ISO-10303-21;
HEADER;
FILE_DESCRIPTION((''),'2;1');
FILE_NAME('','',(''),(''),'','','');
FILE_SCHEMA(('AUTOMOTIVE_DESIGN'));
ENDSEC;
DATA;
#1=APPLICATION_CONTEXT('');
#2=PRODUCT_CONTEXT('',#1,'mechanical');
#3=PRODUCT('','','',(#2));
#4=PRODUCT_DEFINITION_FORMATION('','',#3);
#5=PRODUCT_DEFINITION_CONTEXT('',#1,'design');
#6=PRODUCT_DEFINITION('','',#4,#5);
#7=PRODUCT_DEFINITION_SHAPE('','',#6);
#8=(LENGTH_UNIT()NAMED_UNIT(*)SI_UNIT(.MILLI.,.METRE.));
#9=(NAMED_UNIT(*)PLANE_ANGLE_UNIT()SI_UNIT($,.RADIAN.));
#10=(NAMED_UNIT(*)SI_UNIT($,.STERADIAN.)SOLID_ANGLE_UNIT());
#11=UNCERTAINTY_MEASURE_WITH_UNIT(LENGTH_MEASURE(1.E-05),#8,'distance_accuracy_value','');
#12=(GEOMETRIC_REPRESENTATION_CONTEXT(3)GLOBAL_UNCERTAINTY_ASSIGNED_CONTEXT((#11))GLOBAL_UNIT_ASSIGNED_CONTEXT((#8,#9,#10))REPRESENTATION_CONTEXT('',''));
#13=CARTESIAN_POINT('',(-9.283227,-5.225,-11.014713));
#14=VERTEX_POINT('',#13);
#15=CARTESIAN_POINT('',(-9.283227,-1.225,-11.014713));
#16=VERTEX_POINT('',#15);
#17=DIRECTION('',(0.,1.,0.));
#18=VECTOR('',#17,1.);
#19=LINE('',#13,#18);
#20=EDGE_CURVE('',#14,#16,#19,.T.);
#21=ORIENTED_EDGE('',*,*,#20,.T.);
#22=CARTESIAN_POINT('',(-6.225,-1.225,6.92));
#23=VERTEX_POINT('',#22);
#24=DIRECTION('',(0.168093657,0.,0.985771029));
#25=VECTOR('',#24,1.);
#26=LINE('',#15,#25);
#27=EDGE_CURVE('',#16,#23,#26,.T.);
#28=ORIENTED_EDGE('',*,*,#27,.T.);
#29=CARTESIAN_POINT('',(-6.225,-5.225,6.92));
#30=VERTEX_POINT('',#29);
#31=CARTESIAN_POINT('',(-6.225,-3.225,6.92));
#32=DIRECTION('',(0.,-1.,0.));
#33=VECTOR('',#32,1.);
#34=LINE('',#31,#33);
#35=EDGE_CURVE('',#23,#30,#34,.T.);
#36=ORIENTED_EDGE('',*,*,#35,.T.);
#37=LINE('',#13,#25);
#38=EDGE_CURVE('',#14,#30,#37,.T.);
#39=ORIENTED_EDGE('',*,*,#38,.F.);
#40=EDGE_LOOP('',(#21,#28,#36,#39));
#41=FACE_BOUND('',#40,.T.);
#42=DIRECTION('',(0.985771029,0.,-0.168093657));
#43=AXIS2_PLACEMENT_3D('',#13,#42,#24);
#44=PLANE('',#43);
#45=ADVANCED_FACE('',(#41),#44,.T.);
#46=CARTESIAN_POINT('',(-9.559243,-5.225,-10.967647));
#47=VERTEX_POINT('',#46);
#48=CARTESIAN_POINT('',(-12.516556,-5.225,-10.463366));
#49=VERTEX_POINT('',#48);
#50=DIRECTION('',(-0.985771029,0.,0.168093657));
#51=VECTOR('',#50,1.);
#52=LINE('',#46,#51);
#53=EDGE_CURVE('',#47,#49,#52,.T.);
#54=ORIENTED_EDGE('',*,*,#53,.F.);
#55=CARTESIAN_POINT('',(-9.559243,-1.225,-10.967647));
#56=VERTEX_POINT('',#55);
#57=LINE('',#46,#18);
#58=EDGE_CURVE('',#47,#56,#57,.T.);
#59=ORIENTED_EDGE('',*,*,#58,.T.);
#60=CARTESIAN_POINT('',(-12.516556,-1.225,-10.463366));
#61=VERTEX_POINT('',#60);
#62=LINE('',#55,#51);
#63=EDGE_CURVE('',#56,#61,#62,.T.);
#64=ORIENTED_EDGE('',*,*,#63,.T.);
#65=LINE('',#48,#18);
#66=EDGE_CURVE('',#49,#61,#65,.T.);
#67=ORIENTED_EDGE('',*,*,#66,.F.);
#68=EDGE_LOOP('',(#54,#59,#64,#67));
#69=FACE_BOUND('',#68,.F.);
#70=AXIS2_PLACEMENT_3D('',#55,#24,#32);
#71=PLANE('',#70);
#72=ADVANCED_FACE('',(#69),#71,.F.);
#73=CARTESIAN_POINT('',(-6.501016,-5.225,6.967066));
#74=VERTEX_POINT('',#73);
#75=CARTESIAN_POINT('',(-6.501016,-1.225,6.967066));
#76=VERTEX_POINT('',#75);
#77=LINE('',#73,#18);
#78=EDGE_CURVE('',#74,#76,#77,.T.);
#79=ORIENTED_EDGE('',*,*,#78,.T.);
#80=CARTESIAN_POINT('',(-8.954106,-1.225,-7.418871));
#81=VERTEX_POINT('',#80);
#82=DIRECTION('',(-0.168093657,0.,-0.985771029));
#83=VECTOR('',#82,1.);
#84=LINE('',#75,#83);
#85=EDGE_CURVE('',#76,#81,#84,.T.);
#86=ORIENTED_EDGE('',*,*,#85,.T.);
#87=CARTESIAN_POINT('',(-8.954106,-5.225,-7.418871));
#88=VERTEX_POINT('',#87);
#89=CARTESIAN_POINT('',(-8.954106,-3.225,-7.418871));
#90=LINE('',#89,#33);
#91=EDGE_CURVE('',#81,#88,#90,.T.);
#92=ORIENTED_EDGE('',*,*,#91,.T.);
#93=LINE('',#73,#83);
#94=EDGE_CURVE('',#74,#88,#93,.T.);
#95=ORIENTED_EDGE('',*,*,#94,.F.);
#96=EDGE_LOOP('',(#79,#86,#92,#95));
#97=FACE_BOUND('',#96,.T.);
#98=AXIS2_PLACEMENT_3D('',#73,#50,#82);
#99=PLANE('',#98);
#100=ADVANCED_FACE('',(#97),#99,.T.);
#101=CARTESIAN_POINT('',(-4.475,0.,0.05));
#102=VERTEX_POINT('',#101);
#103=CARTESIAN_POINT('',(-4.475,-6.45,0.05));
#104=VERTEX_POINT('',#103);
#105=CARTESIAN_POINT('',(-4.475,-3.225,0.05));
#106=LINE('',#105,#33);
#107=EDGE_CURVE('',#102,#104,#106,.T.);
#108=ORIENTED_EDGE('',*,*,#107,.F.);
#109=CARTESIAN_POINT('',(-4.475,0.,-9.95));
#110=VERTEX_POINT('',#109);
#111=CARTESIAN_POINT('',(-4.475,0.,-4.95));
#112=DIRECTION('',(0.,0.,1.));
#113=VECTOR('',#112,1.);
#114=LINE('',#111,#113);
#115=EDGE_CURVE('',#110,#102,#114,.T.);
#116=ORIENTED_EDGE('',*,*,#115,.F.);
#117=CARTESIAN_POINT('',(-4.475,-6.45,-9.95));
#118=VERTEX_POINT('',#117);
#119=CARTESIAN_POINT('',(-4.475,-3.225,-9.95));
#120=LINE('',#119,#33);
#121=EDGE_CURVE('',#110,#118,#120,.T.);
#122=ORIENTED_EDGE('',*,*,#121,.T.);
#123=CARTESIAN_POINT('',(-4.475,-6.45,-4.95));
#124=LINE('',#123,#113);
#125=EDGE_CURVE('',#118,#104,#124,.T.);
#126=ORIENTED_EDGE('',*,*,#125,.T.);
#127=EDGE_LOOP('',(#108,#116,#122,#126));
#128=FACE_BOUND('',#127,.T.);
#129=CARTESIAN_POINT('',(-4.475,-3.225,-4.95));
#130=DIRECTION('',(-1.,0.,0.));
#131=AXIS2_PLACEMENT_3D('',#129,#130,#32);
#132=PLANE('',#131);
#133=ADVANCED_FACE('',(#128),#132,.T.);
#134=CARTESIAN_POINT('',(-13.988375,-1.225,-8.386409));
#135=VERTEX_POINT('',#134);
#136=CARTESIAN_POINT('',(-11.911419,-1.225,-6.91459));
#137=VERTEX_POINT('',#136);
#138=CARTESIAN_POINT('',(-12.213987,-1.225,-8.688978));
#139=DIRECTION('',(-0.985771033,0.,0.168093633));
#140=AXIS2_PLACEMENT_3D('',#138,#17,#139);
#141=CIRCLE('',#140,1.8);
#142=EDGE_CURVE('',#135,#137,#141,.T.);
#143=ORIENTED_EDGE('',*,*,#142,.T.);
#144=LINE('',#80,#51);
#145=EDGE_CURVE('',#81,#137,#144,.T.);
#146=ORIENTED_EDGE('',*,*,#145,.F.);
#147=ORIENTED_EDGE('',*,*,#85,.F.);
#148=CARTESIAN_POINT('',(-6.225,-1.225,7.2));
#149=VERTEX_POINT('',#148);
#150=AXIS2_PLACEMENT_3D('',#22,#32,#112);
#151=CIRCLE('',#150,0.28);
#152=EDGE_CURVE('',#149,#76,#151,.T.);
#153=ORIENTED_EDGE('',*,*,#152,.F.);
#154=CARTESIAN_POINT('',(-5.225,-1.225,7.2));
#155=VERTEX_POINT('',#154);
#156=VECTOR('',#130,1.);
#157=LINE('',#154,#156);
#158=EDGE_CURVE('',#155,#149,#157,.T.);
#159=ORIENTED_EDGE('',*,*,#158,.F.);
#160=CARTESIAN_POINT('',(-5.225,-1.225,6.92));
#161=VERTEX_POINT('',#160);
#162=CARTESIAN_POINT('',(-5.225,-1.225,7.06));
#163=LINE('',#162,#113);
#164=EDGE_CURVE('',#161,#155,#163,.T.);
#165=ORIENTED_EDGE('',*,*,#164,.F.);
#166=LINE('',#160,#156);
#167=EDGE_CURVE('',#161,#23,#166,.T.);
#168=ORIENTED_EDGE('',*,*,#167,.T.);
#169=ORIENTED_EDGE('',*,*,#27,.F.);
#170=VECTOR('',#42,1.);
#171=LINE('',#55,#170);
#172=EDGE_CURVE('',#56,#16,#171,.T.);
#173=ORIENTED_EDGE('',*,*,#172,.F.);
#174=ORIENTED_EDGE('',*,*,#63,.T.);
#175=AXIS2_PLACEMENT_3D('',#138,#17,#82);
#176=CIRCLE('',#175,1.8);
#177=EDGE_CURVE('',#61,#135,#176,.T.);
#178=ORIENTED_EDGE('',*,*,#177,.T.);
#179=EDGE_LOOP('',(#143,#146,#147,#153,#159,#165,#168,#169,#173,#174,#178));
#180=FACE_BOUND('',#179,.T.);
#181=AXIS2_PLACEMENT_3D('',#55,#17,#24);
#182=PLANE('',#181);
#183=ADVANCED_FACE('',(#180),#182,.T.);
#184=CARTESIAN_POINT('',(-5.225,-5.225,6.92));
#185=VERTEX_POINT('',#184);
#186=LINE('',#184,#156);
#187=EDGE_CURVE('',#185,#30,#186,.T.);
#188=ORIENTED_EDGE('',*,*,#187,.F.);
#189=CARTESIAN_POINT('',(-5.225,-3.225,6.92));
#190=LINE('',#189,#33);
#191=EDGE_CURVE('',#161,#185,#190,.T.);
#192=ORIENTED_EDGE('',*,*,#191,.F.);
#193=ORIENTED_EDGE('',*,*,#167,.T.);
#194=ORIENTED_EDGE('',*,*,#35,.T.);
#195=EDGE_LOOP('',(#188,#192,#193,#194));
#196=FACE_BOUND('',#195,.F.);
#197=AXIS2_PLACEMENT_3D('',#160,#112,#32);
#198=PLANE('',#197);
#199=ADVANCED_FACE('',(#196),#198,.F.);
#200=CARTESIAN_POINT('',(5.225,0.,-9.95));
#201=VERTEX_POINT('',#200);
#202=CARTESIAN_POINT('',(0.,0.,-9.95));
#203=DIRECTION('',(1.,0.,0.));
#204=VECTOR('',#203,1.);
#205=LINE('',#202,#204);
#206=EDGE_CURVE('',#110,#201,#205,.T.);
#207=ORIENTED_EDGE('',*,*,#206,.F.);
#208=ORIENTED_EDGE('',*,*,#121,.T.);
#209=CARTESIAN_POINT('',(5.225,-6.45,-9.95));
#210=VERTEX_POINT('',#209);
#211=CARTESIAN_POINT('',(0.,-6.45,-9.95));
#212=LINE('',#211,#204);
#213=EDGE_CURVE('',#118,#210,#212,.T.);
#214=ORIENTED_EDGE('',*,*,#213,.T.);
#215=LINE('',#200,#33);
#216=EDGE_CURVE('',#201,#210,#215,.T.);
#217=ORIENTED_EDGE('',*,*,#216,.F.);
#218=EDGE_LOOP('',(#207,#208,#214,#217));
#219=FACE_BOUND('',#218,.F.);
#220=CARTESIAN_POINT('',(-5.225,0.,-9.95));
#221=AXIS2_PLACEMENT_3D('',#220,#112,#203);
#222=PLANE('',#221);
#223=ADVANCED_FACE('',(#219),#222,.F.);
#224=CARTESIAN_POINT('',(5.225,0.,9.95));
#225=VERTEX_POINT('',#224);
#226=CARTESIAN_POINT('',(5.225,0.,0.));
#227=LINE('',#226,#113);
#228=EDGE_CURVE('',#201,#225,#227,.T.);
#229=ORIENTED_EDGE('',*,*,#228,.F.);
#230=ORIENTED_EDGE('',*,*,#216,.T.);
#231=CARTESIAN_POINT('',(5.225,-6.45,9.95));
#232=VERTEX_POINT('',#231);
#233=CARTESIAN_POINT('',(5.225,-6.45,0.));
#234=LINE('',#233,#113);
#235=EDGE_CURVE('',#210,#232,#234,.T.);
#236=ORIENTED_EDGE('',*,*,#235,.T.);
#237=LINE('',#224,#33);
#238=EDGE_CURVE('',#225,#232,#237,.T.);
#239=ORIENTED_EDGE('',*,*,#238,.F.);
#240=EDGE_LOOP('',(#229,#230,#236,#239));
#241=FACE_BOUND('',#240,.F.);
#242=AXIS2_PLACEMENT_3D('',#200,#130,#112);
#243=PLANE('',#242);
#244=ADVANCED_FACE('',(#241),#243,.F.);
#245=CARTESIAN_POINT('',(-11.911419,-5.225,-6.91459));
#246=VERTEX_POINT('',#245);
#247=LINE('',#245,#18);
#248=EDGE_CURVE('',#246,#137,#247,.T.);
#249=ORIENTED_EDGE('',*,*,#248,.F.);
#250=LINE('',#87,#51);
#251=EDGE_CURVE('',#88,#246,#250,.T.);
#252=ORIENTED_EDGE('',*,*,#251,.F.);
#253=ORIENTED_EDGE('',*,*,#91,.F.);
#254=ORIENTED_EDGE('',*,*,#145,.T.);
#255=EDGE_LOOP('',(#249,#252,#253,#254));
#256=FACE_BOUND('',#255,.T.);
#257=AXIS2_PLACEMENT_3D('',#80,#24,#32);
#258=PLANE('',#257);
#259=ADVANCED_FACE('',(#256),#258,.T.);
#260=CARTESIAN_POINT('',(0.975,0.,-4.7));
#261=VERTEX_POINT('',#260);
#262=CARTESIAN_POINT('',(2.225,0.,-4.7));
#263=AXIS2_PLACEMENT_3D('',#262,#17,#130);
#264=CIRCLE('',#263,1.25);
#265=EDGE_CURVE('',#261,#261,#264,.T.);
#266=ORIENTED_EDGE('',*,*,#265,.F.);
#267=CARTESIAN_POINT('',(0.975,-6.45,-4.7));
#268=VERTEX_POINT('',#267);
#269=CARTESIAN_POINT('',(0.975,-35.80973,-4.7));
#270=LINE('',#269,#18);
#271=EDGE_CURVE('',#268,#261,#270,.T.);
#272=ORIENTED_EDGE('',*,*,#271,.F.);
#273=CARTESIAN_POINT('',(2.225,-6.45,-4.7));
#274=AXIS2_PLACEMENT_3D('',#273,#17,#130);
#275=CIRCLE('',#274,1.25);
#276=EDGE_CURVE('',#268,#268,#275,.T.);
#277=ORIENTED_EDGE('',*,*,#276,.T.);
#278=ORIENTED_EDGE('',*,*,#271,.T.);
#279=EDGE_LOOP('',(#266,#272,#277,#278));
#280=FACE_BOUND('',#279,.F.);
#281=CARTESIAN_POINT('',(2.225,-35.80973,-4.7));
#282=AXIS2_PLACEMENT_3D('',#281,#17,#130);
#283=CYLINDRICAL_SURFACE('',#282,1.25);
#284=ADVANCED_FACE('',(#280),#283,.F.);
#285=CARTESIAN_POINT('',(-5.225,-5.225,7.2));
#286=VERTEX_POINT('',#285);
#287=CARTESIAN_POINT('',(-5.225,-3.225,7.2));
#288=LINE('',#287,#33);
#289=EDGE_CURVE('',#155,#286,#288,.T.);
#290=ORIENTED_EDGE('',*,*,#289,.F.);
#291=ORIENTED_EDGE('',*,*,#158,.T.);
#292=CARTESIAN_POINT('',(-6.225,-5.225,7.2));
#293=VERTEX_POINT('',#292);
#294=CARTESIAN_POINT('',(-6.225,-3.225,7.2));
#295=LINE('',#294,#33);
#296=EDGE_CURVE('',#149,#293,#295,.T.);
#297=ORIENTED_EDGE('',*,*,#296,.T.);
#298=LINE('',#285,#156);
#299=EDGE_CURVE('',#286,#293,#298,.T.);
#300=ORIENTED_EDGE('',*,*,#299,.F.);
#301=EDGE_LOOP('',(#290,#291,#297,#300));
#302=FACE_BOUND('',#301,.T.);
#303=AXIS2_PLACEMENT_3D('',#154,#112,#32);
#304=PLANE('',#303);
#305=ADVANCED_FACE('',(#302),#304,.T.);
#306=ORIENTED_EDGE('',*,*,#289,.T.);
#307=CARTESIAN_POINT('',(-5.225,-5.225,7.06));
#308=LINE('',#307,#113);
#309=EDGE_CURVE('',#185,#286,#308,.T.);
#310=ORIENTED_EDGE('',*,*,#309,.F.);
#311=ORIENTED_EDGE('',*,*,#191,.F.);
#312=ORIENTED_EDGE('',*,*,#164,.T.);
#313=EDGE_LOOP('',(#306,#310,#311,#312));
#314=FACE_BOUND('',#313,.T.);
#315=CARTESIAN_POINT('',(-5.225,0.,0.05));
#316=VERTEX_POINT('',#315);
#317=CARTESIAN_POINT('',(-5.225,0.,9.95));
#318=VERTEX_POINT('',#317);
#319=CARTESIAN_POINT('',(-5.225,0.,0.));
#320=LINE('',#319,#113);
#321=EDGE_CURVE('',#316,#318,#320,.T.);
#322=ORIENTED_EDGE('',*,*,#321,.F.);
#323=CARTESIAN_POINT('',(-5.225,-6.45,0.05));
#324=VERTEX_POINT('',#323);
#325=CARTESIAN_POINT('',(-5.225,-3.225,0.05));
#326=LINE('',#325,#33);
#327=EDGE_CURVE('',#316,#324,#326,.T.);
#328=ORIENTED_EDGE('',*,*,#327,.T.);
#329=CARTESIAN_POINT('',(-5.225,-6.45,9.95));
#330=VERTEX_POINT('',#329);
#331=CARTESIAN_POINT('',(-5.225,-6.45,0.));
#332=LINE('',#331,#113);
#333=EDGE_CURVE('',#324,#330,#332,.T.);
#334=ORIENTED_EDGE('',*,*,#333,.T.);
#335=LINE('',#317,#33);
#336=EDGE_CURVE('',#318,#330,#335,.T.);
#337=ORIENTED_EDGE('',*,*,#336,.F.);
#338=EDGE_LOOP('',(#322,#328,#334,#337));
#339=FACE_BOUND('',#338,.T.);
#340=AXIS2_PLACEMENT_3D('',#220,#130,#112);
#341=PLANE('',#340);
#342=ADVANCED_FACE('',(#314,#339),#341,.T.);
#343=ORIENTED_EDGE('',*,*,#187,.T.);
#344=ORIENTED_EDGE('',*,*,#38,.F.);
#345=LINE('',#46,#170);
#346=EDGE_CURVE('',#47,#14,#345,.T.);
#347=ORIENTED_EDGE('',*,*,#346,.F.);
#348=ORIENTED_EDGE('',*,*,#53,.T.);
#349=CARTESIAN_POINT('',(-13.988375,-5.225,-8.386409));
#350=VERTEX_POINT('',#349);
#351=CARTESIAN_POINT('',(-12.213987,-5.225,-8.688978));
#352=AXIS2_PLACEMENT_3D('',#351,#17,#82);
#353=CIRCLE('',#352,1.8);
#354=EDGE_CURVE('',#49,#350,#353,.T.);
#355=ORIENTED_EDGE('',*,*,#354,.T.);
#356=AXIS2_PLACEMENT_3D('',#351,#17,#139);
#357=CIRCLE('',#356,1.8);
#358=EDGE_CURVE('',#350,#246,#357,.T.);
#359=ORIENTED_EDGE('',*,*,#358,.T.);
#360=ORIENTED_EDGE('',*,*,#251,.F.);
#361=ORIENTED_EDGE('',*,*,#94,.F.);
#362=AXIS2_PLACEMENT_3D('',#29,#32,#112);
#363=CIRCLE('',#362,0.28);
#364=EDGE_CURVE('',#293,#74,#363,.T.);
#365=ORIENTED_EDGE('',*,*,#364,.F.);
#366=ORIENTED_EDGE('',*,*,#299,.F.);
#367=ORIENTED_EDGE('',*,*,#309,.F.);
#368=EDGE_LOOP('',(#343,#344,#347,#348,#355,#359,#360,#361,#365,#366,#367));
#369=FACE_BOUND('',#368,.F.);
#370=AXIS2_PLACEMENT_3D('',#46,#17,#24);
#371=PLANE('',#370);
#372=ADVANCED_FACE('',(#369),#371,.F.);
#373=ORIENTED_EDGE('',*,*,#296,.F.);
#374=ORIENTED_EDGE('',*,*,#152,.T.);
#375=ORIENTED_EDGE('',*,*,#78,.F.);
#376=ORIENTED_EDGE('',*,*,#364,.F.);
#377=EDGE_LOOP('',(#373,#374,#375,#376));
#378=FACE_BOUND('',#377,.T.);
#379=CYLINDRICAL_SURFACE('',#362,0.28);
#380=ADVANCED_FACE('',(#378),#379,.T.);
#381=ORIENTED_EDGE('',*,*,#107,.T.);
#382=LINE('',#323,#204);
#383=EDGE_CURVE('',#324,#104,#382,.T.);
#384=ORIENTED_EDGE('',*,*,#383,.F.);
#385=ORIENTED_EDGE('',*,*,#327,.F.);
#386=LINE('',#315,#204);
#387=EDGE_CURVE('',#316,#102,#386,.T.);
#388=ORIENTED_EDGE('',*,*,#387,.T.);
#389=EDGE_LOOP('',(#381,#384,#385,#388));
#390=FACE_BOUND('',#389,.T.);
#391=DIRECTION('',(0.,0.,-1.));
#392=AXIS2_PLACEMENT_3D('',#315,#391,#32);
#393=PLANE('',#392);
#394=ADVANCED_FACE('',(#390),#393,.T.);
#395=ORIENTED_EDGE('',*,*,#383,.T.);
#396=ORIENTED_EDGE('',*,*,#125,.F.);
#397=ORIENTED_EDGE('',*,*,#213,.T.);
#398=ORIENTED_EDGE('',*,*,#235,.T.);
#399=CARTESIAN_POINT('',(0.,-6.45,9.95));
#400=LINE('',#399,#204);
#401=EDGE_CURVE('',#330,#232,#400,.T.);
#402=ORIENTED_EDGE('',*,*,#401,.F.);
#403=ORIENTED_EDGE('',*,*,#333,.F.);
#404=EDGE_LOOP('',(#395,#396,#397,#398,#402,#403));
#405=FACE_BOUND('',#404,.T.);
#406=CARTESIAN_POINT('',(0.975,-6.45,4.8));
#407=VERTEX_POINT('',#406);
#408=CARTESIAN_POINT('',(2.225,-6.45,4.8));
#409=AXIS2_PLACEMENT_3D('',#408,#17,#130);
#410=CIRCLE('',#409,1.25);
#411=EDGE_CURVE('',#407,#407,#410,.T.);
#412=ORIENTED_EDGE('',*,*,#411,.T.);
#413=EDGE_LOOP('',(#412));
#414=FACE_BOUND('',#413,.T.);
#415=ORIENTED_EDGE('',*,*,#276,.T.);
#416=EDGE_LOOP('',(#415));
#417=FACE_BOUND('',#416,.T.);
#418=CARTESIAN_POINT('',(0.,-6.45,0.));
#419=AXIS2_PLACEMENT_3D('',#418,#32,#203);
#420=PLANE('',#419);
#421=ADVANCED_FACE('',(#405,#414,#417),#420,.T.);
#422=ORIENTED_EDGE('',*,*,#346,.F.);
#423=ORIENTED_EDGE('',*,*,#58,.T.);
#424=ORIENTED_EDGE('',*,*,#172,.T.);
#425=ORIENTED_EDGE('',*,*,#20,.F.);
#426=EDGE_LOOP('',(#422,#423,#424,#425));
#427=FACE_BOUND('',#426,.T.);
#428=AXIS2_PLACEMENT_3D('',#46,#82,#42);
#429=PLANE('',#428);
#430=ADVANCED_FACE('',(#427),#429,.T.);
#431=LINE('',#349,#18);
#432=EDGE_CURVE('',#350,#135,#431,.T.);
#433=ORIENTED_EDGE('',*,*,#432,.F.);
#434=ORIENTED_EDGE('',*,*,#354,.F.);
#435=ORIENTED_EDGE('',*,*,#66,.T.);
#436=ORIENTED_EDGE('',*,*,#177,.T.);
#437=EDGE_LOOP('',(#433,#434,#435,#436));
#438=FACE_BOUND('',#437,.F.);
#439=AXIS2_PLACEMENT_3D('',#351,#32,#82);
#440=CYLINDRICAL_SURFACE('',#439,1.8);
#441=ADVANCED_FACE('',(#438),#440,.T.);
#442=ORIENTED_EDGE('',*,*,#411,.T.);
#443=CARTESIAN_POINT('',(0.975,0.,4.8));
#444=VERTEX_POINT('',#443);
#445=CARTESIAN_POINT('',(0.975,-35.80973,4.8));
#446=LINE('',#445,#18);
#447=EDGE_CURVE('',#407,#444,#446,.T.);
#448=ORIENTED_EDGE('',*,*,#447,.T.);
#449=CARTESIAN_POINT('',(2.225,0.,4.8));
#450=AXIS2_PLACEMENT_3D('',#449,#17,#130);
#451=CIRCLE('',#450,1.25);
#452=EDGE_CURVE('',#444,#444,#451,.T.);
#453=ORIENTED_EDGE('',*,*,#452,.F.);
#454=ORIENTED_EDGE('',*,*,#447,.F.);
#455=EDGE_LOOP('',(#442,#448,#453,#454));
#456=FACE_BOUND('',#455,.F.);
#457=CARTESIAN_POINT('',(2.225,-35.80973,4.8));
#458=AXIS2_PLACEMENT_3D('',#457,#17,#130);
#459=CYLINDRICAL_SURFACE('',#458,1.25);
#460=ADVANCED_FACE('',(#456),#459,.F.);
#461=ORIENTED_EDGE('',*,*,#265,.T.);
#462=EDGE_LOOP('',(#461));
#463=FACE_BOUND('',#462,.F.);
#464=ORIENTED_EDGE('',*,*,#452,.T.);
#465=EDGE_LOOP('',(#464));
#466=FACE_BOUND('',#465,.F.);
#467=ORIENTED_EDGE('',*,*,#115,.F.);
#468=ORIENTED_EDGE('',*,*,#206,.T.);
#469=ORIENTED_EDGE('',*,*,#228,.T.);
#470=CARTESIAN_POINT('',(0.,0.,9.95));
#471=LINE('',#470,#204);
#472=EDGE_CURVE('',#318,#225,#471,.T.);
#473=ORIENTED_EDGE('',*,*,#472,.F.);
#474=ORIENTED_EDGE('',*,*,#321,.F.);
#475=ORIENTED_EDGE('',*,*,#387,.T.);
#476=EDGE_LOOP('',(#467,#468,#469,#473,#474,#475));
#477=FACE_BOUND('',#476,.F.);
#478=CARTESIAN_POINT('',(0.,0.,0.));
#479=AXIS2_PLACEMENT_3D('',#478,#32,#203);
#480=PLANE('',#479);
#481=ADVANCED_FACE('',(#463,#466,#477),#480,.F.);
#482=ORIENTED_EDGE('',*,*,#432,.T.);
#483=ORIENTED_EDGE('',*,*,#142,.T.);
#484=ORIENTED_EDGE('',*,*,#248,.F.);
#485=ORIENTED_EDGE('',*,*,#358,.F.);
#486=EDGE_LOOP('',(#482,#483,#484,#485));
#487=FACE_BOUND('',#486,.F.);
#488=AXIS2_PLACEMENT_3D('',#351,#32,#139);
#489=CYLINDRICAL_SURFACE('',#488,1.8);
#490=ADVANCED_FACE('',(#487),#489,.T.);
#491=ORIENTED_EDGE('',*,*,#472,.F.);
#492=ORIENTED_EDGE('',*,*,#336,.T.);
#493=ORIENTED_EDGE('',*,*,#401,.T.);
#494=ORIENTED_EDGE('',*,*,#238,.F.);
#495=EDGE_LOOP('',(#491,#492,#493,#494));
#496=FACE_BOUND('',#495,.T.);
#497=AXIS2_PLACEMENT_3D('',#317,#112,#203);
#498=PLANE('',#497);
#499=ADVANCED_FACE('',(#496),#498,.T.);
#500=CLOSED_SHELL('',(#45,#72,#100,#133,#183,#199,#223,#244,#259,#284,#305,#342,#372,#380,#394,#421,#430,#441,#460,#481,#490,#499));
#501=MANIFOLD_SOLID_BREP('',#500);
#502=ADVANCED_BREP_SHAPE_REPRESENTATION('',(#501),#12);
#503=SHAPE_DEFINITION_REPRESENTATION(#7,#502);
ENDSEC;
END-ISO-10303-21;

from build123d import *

# Parameters (mm, degrees)
F0_W      = 10.45
F0_H      = 19.9
F1_DEPTH  = 6.45
F2_W      = 6.45
F2_H      = 10
F3_DEPTH  = 0.75
F4_W      = 4
F4_H      = 0.28
F5_DEPTH  = 1
F7_DEPTH  = 4
F8_W      = 4
F8_H      = 3.6
F9_DEPTH  = 4.8
F11_D     = 2.5
F13_DEPTH = 4


with BuildPart() as f1:
    # F0 (on Front) → F1 (new body)
    with BuildSketch(Plane.XZ):
        Rectangle(F0_W, F0_H)
    extrude(amount=F1_DEPTH)

    # F2 (on face) → F3 (cut)
    with BuildSketch(Plane(origin=(-5.225, 0, 0), x_dir=(0, -1, 0), z_dir=(-1, 0, 0))):
        with Locations((3.225, -4.95)):
            Rectangle(F2_W, F2_H)
    extrude(amount=-F3_DEPTH, mode=Mode.SUBTRACT)

    # F4 (on face) → F5 (join)
    with BuildSketch(Plane(origin=(-5.225, 0, 0), x_dir=(0, -1, 0), z_dir=(-1, 0, 0))):
        with Locations((3.225, 7.06)):
            Rectangle(F4_W, F4_H)
    extrude(amount=F5_DEPTH)

    # F6 (on face) → F7 (join)
    with BuildSketch(Plane.XZ.offset(5.225)):
        with BuildLine():
            Line((-9.2832269147, -11.0147129744), (-6.225, 6.92))
            Line((-6.225, 6.92), (-6.225, 7.2))
            ThreePointArc((-6.225, 7.2), (-6.4055844086, 7.1339842783), (-6.5010158882, 6.967066224))
            Line((-6.5010158882, 6.967066224), (-9.5592428029, -10.9676467504))
            Line((-9.5592428029, -10.9676467504), (-9.2832269147, -11.0147129744))
        make_face()
    extrude(amount=-F7_DEPTH)

    # F8 (on face) → F9 (join)
    with BuildSketch(Plane(origin=(-7.4717823939, 0, 1.2740881915), x_dir=(0, -1, 0), z_dir=(-0.9857710294, 0, 0.1680936572))):
        with Locations((3.225, -10.6184365097)):
            Rectangle(F8_W, F8_H)
    extrude(amount=F9_DEPTH)

    # F11 (through all)
    with Locations(Plane.XZ.offset(6.45)):
        with Locations((2.225, -4.7), (2.225, 4.8)):
            Hole(F11_D / 2)

    # F12 (on face) → F13 (cut, through all)
    with BuildSketch(Plane.XZ.offset(5.225)):
        with BuildLine():
            Line((-13.6858065784, -6.6120214902), (-13.9883751686, -8.3864093861))
            ThreePointArc((-13.9883751686, -8.3864093861), (-13.2547207126, -7.2203479586), (-11.9114187254, -6.9145900731))
            Line((-11.9114187254, -6.9145900731), (-13.6858065784, -6.6120214902))
        make_face()
        with BuildLine():
            Line((-13.9883751686, -8.3864093861), (-14.2909437441, -10.1607971961))
            Line((-14.2909437441, -10.1607971961), (-12.5165558912, -10.463365779))
            ThreePointArc((-12.5165558912, -10.463365779), (-13.6826172757, -9.7297113304), (-13.9883751686, -8.3864093861))
        make_face()
    extrude(amount=-F13_DEPTH, mode=Mode.SUBTRACT)


solid = f1.part
